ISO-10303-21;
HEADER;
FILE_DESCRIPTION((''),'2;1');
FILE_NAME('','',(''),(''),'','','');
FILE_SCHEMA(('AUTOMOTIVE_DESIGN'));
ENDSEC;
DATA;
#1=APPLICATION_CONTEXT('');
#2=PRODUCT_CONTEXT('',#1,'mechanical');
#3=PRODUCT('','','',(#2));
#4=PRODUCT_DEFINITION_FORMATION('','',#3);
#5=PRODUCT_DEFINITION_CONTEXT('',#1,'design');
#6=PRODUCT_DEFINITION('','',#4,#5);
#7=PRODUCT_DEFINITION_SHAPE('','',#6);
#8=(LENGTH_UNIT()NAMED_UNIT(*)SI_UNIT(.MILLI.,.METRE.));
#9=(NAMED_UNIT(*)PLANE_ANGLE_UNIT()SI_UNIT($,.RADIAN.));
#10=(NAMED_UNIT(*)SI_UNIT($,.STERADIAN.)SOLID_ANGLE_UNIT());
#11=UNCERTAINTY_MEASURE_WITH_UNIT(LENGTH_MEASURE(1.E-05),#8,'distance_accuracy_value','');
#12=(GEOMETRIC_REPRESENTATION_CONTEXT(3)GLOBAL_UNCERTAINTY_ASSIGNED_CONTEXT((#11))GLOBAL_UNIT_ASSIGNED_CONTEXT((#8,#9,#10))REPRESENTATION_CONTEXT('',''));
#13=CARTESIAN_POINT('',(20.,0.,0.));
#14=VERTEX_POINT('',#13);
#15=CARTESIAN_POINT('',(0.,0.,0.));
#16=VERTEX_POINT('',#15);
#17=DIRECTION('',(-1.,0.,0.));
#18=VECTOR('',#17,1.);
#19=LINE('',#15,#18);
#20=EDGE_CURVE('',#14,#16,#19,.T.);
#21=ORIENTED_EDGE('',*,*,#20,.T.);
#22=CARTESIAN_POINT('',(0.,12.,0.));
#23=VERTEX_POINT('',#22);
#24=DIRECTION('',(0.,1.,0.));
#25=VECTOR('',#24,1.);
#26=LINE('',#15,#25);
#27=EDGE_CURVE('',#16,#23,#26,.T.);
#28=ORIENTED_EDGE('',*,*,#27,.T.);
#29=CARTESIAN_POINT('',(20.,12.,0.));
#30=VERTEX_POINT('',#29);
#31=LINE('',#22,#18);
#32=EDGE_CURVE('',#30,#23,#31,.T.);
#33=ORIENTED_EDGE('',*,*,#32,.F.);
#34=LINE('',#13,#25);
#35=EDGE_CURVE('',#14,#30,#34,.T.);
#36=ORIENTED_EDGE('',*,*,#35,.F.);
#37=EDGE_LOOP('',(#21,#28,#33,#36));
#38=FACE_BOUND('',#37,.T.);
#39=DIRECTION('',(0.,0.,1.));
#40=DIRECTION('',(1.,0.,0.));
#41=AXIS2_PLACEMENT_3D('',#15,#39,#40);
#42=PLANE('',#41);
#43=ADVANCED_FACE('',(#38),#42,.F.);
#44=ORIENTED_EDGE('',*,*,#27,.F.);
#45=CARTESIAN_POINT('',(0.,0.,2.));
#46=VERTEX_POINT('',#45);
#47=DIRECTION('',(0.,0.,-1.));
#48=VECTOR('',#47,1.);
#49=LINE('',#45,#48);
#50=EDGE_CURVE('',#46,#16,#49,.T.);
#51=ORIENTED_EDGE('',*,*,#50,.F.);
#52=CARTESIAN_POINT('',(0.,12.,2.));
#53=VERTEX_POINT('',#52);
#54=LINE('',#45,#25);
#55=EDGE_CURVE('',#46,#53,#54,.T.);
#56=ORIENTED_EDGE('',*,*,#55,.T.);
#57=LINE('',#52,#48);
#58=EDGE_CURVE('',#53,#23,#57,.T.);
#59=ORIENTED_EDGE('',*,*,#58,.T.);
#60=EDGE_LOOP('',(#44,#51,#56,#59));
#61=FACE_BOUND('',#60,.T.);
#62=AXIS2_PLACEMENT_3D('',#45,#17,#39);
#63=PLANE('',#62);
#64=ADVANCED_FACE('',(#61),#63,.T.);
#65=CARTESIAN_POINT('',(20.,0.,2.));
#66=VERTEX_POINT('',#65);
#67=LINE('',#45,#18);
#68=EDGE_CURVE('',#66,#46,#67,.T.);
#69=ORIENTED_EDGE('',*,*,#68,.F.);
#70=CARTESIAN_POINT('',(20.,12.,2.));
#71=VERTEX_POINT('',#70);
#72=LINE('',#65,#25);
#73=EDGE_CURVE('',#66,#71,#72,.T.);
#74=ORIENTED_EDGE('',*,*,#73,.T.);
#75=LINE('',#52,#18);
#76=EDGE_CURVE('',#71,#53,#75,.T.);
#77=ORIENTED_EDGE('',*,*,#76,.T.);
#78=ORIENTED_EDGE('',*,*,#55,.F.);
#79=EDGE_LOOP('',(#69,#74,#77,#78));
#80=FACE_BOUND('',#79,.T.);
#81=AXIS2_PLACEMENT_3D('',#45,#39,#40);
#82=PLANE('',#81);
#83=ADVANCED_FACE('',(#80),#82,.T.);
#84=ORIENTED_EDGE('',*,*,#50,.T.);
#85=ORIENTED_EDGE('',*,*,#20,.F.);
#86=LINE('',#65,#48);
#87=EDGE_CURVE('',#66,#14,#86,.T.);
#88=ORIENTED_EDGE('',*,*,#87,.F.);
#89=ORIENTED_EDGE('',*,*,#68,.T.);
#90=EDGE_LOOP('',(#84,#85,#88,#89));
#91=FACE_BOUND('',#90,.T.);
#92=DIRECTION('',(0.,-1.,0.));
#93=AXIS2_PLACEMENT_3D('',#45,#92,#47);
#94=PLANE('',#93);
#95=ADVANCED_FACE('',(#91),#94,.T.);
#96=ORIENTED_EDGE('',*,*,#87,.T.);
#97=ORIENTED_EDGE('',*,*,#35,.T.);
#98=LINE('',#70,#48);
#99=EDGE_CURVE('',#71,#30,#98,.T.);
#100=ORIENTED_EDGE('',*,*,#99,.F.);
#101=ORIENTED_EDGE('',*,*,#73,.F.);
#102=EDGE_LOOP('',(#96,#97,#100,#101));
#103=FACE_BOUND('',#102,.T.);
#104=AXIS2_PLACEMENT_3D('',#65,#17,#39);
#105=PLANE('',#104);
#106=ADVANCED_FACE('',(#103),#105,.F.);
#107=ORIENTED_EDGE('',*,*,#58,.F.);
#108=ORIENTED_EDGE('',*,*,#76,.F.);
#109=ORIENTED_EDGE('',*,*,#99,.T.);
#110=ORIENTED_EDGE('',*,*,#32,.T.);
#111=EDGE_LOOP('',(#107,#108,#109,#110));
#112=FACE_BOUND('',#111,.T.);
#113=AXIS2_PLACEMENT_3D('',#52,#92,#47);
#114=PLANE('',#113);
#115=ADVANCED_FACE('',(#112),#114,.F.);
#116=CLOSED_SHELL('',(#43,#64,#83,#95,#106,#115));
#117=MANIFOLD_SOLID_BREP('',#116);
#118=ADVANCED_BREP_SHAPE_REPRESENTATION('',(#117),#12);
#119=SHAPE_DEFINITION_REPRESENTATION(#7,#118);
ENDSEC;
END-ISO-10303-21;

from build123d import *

# Parameters (mm, degrees)
BOSS_EXTRUDE1_DEPTH = 2


with BuildPart() as part:
    # Sketch1 → Boss-Extrude1 (new body)
    with BuildSketch(Plane.XY):
        Polygon((7.497142857, 0), (0, 0), (0, 12), (7.5, 12), (12.5, 12), (20, 12), (20, 0), (12.502857143, 0), align=None)
    extrude(amount=BOSS_EXTRUDE1_DEPTH)


solid = part.part
